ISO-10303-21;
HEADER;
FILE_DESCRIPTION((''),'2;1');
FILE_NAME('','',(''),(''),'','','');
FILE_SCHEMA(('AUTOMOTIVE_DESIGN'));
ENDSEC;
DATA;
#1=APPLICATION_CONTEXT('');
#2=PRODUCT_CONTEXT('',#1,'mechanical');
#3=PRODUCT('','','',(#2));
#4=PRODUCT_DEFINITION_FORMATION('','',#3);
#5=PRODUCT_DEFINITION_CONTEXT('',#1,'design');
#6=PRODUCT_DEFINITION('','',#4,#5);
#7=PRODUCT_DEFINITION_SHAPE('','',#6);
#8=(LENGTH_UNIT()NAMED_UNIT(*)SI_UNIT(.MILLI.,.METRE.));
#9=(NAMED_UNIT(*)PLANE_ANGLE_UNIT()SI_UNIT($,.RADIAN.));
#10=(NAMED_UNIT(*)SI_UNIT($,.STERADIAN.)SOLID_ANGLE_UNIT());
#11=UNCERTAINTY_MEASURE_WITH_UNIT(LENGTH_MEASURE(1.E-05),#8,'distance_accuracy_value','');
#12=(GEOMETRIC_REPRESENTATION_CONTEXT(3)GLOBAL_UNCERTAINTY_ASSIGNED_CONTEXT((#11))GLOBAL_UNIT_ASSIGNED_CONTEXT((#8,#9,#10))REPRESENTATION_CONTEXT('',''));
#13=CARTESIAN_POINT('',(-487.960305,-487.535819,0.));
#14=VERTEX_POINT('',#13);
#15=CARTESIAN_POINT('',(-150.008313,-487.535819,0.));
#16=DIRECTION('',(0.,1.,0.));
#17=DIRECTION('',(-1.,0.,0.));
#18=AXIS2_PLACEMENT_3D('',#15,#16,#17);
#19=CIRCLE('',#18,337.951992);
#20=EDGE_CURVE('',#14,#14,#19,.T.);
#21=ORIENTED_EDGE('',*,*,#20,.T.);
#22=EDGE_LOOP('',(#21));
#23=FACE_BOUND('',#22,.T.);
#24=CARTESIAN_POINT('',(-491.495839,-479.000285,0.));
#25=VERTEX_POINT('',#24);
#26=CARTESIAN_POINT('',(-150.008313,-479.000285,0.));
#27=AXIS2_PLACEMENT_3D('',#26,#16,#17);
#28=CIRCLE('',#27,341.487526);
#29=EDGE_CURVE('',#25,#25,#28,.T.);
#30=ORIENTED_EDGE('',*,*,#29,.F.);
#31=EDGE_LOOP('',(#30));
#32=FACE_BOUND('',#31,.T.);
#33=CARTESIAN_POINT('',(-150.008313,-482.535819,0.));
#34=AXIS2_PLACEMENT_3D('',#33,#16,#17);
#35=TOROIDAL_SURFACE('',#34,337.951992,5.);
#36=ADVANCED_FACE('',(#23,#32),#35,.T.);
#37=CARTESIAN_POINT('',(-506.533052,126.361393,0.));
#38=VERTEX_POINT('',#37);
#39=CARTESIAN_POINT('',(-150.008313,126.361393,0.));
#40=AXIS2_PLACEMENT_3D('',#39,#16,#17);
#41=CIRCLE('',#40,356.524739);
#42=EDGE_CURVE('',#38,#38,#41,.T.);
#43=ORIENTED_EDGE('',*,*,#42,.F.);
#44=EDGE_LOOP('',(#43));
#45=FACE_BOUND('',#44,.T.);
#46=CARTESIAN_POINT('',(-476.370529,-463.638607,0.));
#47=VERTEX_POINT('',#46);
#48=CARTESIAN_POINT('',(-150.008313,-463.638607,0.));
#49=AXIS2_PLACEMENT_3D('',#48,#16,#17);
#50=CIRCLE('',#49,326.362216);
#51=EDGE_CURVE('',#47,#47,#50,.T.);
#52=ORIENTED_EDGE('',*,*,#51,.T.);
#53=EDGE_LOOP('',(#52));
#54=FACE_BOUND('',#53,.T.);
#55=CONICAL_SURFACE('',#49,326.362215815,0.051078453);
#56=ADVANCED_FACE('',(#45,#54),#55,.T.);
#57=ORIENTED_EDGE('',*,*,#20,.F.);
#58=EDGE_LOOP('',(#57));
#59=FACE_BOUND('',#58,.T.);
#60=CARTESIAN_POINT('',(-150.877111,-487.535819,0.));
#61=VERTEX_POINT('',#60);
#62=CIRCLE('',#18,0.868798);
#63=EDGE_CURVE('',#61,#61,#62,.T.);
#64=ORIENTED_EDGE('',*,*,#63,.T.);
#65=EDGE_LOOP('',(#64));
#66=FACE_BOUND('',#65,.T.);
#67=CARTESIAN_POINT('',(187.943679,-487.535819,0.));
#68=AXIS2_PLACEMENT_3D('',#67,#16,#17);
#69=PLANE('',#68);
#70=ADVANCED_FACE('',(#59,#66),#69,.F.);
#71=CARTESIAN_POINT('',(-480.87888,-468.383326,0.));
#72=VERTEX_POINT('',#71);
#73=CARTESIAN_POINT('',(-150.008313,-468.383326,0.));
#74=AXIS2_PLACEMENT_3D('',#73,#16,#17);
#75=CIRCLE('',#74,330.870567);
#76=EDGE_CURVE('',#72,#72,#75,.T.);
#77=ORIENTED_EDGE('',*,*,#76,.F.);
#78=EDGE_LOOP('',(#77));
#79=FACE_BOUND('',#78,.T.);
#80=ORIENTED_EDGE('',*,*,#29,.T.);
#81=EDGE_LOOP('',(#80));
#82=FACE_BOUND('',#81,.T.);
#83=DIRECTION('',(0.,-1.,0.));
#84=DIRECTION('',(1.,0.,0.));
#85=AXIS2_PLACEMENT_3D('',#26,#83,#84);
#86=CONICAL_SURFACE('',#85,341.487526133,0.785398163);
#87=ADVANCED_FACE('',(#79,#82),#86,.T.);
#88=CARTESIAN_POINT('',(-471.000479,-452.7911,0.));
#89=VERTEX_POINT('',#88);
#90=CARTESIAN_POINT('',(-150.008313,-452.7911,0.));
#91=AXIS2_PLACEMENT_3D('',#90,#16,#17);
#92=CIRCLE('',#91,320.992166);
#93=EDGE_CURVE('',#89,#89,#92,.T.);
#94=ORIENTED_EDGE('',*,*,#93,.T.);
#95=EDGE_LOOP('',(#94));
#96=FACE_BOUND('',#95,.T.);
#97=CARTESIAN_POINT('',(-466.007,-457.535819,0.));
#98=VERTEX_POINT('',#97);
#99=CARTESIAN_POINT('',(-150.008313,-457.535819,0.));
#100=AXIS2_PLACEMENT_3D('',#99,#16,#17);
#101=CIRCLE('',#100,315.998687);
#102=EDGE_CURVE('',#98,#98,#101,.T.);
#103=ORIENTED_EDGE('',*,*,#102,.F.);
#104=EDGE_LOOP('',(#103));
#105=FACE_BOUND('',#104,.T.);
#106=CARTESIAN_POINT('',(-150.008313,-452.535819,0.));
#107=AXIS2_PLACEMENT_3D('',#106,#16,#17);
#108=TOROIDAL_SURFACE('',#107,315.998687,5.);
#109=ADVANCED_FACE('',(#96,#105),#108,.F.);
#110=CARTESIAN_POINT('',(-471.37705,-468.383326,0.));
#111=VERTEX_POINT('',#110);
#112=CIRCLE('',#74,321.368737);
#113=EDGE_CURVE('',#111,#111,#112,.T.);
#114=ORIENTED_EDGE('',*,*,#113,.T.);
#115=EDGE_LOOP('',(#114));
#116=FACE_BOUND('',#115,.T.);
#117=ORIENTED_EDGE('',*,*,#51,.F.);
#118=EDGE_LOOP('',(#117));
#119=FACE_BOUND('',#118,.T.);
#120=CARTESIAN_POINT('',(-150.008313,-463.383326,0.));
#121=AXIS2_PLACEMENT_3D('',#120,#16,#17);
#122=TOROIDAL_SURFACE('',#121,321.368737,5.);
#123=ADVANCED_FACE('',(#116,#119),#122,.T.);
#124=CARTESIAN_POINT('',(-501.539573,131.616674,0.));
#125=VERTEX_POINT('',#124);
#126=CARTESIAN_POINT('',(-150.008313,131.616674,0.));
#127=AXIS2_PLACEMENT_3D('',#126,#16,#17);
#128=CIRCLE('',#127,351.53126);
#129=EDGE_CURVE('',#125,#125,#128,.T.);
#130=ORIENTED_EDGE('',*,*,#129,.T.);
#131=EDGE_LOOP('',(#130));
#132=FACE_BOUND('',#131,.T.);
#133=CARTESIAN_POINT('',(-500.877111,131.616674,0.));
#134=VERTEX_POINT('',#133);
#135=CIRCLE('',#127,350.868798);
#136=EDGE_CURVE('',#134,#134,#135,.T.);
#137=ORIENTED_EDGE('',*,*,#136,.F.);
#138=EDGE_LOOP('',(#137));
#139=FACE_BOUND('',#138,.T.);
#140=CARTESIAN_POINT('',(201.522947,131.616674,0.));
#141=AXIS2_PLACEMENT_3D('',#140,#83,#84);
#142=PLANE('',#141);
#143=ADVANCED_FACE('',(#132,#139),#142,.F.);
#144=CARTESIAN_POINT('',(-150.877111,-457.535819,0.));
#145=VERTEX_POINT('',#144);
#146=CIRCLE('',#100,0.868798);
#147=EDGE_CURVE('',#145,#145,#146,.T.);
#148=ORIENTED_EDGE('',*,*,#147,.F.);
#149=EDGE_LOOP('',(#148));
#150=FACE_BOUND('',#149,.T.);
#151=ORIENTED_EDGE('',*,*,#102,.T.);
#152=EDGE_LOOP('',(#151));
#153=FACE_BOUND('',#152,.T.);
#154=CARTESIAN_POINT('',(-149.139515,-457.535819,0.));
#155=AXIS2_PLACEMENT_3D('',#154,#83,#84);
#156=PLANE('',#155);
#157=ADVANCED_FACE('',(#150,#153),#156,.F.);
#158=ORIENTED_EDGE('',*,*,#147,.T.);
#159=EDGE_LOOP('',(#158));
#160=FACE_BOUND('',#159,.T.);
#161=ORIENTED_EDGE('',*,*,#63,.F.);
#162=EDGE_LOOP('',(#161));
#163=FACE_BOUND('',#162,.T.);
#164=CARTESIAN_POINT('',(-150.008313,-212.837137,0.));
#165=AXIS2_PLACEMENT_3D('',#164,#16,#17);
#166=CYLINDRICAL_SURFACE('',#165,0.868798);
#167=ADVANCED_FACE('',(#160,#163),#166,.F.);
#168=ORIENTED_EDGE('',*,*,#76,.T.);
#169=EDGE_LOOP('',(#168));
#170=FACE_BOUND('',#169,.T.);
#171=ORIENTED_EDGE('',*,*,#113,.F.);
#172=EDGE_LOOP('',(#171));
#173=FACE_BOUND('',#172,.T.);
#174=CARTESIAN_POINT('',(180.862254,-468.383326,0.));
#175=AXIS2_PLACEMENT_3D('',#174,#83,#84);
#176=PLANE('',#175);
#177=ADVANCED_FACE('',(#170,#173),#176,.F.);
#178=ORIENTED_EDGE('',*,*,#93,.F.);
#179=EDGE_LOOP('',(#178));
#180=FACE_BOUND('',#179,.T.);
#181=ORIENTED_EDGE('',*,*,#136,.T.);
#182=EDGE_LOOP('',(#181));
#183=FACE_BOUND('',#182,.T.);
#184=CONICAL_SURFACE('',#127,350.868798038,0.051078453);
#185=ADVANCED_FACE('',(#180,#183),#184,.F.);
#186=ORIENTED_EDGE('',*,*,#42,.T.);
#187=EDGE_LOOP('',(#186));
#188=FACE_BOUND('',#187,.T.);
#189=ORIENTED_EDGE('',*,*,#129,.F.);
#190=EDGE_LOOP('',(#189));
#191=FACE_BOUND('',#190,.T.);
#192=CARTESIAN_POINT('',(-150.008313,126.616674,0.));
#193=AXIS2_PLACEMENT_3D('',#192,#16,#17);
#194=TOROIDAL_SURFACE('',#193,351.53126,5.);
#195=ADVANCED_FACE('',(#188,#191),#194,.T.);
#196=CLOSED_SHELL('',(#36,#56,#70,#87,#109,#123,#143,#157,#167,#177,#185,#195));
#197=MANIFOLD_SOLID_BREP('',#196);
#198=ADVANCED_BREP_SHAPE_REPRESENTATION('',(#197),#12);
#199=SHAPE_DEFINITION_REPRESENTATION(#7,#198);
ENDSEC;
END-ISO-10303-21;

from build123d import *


with BuildPart() as part:
    # Sketch1 → Revolve1 (revolve)
    with BuildSketch(Plane.XY):
        with BuildLine():
            Line((180.862254067, -468.383325669), (171.360424036, -468.383325669))
            ThreePointArc((171.360424036, -468.383325669), (174.804519989, -467.007991593), (176.353902933, -463.638606894))
            Line((176.353902933, -463.638606894), (206.516426137, 126.361393106))
            ThreePointArc((206.516426137, 126.361393106), (205.147613164, 130.060770285), (201.52294724, 131.616674331))
            Line((201.52294724, 131.616674331), (200.860485156, 131.616674331))
            Line((200.860485156, 131.616674331), (170.983852863, -452.791099984))
            ThreePointArc((170.983852863, -452.791099984), (169.434469919, -456.160484683), (165.990373966, -457.535818758))
            Line((165.990373966, -457.535818758), (-149.139514844, -457.535818758))
            Line((-149.139514844, -457.535818758), (-149.139514844, -487.535818758))
            Line((-149.139514844, -487.535818758), (187.943679345, -487.535818758))
            ThreePointArc((187.943679345, -487.535818758), (192.563077007, -484.44923592), (191.479213251, -479.000284853))
            Line((191.479213251, -479.000284853), (180.862254067, -468.383325669))
        make_face()
    revolve(axis=Axis((-150.008312882, -212.837137396, 0), (0, -1, 0)))


solid = part.part
